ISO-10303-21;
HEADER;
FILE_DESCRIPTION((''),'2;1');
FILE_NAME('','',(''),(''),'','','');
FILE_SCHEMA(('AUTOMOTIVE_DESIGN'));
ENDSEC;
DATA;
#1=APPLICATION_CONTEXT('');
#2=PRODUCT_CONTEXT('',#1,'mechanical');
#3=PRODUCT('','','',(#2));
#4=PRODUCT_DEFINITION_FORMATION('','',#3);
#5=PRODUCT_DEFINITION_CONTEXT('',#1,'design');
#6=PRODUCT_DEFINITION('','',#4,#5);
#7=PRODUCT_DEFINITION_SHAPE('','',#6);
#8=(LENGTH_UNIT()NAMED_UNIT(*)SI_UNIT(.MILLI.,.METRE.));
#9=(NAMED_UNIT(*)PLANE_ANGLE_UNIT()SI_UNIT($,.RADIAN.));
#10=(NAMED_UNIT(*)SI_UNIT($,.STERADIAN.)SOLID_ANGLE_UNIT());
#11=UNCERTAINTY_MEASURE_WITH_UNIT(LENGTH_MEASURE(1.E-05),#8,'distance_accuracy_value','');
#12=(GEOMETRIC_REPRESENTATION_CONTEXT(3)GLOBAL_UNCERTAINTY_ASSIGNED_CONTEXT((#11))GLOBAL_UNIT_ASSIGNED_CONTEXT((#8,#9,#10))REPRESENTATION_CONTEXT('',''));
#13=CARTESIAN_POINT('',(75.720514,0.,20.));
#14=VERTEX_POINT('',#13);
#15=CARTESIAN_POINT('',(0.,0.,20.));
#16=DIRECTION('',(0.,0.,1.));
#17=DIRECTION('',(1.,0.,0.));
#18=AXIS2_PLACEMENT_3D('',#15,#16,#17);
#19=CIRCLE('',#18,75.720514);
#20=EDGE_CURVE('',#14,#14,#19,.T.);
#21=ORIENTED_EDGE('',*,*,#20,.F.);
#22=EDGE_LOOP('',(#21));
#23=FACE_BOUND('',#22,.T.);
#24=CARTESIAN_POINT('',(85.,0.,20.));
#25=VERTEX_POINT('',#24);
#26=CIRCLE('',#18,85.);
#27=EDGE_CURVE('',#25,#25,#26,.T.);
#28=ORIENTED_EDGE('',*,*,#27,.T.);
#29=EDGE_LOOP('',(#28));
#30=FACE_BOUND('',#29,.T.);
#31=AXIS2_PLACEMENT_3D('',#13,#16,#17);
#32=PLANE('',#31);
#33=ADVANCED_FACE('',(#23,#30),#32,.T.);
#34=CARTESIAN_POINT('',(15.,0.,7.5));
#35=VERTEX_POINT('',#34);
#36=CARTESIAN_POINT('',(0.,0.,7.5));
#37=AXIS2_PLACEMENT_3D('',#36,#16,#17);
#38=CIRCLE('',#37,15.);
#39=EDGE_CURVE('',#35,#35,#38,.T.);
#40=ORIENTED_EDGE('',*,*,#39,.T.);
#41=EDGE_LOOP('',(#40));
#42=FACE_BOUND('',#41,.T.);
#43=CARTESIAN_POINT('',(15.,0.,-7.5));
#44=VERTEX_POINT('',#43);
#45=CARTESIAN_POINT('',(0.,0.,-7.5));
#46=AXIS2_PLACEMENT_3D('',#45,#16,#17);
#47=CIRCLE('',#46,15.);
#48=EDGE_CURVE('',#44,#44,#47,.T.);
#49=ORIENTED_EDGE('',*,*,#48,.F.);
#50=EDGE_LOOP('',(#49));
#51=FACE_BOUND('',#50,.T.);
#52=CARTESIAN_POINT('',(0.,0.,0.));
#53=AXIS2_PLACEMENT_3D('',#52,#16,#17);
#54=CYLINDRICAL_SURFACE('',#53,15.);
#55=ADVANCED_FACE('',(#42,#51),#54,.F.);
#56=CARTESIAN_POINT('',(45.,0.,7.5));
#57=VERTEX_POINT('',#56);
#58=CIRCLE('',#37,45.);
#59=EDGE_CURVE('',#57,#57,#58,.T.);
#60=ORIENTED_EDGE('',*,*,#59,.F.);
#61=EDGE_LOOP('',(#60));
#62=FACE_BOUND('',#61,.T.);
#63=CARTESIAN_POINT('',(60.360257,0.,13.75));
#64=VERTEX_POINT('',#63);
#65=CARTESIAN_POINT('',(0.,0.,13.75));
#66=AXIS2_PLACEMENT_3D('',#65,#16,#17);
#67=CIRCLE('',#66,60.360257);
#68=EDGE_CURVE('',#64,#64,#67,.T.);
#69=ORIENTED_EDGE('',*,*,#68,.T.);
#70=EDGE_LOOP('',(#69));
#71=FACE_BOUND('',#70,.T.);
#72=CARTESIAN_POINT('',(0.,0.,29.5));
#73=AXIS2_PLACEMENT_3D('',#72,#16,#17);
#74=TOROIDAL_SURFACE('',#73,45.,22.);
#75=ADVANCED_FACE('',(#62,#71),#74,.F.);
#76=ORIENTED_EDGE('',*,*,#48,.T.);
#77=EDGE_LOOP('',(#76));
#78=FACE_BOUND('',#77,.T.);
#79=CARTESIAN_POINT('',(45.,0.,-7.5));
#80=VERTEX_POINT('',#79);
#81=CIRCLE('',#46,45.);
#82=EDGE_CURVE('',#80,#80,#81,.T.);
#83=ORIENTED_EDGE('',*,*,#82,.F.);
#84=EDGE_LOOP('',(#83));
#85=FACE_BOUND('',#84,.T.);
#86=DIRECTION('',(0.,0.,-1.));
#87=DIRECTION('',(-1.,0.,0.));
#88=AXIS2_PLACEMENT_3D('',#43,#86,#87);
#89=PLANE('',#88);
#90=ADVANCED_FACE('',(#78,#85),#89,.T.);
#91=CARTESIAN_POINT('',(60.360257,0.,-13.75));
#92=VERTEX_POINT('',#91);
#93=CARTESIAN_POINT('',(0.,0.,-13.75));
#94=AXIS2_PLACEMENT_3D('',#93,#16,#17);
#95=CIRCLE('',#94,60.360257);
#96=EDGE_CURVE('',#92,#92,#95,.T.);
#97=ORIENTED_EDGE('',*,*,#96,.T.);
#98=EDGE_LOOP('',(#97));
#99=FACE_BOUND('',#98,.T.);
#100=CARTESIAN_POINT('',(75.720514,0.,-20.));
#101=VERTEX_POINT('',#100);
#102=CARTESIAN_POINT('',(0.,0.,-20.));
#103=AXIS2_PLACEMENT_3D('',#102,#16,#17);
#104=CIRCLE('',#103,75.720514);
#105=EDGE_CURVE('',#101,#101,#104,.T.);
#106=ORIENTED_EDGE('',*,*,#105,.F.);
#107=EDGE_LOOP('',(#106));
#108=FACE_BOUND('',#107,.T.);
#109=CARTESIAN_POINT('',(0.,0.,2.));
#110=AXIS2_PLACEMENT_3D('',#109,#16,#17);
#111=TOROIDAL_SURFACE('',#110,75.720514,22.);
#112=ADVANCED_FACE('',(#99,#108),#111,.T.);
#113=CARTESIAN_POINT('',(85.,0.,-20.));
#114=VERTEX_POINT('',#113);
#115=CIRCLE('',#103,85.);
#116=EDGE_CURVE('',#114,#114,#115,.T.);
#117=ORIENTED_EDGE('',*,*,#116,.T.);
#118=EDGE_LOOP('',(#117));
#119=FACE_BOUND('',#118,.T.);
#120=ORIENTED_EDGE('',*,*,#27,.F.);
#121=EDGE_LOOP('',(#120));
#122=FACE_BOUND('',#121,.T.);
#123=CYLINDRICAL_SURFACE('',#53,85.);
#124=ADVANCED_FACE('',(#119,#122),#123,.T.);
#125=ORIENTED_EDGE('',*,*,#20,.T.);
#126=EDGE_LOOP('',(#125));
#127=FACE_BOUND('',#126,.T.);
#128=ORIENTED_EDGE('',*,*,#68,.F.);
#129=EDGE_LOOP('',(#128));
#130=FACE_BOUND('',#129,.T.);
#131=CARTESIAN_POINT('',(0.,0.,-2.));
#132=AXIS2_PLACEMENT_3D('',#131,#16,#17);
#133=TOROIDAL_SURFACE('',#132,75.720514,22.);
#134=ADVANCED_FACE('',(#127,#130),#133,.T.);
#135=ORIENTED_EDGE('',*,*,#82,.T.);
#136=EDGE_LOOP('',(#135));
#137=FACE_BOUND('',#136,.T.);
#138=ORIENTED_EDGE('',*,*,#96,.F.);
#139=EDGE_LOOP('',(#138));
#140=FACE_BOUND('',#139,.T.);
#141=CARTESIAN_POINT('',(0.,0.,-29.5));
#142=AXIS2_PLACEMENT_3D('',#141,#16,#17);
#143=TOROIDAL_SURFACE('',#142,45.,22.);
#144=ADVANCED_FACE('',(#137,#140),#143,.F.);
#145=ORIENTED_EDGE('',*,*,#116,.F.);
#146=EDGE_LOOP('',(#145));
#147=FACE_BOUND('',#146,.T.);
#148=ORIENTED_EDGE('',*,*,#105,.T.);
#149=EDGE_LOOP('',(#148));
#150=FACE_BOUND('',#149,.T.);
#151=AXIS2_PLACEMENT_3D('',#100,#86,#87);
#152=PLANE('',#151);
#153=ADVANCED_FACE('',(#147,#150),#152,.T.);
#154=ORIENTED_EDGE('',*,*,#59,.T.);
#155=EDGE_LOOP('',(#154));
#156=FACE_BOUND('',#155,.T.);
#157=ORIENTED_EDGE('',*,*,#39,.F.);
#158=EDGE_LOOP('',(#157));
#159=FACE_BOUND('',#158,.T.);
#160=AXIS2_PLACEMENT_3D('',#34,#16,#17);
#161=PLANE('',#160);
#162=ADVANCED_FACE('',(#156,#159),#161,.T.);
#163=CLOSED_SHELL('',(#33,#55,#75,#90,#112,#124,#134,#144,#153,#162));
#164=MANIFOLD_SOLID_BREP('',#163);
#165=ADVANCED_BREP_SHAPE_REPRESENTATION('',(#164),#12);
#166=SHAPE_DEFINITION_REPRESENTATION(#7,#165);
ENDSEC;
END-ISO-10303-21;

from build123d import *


with BuildPart() as part:
    # Croquis2 → Revolución1 (revolve)
    with BuildSketch(Plane(origin=(0, 0, 0), x_dir=(1, 0, 0), z_dir=(0, 1, 0))):
        with BuildLine():
            Line((15, -7.5), (15, 7.5))
            Line((15, 7.5), (45, 7.5))
            ThreePointArc((45, 7.5), (53.291561976, 9.122316128), (60.360257159, 13.75))
            ThreePointArc((60.360257159, 13.75), (67.428952343, 18.377683872), (75.720514319, 20))
            Line((75.720514319, 20), (85, 20))
            Line((85, 20), (85, -20))
            Line((85, -20), (75.720514319, -20))
            ThreePointArc((75.720514319, -20), (67.428952343, -18.377683872), (60.360257159, -13.75))
            ThreePointArc((60.360257159, -13.75), (53.291561976, -9.122316128), (45, -7.5))
            Line((45, -7.5), (15, -7.5))
        make_face()
    revolve(axis=Axis((0, 0, 0), (0, 0, -1)))


solid = part.part
